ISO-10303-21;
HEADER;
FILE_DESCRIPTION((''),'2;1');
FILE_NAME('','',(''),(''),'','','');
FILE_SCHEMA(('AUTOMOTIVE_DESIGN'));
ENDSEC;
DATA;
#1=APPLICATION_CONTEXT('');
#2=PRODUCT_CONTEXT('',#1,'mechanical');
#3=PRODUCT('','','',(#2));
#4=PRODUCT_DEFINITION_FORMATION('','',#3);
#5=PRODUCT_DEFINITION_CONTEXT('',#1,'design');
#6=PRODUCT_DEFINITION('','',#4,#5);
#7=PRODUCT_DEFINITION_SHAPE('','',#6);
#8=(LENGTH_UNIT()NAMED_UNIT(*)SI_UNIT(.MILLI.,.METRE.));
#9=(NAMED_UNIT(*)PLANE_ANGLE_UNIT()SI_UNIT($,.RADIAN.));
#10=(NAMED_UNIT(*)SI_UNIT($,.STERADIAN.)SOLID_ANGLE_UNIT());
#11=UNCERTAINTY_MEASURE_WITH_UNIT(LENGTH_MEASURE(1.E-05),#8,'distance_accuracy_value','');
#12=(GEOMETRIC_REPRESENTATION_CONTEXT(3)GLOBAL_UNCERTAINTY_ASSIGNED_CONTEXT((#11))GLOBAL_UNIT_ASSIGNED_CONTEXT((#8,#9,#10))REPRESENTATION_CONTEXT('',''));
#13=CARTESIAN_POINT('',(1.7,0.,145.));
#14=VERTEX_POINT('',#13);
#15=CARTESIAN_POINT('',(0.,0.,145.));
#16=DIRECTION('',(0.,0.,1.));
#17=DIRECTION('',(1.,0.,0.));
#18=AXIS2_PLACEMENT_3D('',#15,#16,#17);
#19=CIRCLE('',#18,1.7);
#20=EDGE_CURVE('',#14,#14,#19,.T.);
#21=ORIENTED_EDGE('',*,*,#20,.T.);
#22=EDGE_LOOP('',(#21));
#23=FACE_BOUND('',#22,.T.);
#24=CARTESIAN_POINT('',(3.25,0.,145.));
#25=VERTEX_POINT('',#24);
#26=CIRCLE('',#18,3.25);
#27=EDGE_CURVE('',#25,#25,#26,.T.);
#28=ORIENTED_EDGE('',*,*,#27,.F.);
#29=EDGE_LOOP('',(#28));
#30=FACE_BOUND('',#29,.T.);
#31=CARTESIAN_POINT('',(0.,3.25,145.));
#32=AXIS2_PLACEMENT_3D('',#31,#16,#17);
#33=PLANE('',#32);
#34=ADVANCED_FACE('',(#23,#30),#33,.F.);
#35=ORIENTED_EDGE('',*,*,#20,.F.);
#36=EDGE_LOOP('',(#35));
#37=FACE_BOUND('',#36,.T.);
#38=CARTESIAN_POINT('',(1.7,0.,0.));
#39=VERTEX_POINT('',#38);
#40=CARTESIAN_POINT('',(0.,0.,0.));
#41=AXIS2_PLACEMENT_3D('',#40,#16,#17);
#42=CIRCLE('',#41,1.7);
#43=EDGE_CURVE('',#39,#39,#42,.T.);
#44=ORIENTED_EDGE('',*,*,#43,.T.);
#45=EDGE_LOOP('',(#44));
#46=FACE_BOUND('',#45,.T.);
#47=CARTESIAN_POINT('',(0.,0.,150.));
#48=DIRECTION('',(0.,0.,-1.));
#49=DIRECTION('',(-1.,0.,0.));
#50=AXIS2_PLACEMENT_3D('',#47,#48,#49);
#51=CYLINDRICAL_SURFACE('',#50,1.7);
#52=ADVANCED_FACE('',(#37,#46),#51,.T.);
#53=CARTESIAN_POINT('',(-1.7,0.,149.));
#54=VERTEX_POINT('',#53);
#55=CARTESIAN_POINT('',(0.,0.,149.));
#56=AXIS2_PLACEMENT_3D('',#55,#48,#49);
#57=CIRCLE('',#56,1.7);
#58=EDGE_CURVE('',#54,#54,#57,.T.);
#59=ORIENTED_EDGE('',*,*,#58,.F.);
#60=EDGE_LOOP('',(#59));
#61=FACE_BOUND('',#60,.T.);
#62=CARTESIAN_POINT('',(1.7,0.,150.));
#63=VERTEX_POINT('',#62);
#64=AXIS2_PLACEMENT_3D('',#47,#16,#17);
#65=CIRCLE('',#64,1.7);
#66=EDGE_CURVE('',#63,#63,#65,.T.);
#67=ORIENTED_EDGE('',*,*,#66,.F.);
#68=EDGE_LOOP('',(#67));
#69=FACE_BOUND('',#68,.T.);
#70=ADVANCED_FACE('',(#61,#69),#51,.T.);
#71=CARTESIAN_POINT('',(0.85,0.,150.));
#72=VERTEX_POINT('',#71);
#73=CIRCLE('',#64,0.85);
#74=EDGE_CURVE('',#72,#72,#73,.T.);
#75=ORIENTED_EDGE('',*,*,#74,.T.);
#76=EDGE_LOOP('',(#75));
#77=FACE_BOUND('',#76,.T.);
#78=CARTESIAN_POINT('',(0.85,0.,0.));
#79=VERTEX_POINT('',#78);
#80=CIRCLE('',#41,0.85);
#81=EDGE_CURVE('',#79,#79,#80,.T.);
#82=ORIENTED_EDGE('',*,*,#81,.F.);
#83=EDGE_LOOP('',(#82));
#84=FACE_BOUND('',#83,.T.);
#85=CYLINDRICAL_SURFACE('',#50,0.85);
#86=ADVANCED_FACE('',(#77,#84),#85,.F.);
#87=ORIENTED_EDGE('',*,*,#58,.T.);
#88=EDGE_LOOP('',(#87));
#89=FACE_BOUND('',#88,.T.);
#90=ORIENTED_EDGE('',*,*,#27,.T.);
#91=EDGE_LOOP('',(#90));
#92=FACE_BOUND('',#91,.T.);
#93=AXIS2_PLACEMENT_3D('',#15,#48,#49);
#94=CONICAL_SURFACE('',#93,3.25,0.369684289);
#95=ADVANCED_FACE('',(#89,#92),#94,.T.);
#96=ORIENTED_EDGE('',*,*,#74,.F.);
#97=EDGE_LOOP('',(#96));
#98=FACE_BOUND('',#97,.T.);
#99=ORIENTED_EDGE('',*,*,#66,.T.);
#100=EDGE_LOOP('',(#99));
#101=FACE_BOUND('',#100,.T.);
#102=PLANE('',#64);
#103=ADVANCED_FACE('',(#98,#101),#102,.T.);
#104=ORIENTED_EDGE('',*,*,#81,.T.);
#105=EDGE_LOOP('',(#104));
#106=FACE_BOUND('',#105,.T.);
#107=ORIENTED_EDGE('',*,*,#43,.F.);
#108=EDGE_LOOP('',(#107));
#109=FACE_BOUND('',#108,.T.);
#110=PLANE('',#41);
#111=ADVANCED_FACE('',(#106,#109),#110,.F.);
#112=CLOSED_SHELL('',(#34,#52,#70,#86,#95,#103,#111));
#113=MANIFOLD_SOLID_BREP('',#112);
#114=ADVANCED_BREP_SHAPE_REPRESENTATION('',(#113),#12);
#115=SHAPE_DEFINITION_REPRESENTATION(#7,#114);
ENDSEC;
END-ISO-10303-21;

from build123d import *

# Parameters (mm, degrees)
SKETCH1_R           = 1.7
SKETCH1_R_2         = 0.85
BOSS_EXTRUDE1_DEPTH = 150


with BuildPart() as part:
    # Sketch1 → Boss-Extrude1 (new body)
    with BuildSketch(Plane.XY):
        Circle(SKETCH1_R)
        Circle(SKETCH1_R_2, mode=Mode.SUBTRACT)
    extrude(amount=BOSS_EXTRUDE1_DEPTH)

    # Sketch3 → Revolve1 (revolve)
    with BuildSketch(Plane(origin=(0, 0, 0), x_dir=(0, 0, -1), z_dir=(1, 0, 0))):
        Polygon((-149, 1.7), (-145, 3.25), (-145, 1.7), align=None)
    revolve(axis=Axis((0, 0, 150), (0, 0, -1)))


solid = part.part
